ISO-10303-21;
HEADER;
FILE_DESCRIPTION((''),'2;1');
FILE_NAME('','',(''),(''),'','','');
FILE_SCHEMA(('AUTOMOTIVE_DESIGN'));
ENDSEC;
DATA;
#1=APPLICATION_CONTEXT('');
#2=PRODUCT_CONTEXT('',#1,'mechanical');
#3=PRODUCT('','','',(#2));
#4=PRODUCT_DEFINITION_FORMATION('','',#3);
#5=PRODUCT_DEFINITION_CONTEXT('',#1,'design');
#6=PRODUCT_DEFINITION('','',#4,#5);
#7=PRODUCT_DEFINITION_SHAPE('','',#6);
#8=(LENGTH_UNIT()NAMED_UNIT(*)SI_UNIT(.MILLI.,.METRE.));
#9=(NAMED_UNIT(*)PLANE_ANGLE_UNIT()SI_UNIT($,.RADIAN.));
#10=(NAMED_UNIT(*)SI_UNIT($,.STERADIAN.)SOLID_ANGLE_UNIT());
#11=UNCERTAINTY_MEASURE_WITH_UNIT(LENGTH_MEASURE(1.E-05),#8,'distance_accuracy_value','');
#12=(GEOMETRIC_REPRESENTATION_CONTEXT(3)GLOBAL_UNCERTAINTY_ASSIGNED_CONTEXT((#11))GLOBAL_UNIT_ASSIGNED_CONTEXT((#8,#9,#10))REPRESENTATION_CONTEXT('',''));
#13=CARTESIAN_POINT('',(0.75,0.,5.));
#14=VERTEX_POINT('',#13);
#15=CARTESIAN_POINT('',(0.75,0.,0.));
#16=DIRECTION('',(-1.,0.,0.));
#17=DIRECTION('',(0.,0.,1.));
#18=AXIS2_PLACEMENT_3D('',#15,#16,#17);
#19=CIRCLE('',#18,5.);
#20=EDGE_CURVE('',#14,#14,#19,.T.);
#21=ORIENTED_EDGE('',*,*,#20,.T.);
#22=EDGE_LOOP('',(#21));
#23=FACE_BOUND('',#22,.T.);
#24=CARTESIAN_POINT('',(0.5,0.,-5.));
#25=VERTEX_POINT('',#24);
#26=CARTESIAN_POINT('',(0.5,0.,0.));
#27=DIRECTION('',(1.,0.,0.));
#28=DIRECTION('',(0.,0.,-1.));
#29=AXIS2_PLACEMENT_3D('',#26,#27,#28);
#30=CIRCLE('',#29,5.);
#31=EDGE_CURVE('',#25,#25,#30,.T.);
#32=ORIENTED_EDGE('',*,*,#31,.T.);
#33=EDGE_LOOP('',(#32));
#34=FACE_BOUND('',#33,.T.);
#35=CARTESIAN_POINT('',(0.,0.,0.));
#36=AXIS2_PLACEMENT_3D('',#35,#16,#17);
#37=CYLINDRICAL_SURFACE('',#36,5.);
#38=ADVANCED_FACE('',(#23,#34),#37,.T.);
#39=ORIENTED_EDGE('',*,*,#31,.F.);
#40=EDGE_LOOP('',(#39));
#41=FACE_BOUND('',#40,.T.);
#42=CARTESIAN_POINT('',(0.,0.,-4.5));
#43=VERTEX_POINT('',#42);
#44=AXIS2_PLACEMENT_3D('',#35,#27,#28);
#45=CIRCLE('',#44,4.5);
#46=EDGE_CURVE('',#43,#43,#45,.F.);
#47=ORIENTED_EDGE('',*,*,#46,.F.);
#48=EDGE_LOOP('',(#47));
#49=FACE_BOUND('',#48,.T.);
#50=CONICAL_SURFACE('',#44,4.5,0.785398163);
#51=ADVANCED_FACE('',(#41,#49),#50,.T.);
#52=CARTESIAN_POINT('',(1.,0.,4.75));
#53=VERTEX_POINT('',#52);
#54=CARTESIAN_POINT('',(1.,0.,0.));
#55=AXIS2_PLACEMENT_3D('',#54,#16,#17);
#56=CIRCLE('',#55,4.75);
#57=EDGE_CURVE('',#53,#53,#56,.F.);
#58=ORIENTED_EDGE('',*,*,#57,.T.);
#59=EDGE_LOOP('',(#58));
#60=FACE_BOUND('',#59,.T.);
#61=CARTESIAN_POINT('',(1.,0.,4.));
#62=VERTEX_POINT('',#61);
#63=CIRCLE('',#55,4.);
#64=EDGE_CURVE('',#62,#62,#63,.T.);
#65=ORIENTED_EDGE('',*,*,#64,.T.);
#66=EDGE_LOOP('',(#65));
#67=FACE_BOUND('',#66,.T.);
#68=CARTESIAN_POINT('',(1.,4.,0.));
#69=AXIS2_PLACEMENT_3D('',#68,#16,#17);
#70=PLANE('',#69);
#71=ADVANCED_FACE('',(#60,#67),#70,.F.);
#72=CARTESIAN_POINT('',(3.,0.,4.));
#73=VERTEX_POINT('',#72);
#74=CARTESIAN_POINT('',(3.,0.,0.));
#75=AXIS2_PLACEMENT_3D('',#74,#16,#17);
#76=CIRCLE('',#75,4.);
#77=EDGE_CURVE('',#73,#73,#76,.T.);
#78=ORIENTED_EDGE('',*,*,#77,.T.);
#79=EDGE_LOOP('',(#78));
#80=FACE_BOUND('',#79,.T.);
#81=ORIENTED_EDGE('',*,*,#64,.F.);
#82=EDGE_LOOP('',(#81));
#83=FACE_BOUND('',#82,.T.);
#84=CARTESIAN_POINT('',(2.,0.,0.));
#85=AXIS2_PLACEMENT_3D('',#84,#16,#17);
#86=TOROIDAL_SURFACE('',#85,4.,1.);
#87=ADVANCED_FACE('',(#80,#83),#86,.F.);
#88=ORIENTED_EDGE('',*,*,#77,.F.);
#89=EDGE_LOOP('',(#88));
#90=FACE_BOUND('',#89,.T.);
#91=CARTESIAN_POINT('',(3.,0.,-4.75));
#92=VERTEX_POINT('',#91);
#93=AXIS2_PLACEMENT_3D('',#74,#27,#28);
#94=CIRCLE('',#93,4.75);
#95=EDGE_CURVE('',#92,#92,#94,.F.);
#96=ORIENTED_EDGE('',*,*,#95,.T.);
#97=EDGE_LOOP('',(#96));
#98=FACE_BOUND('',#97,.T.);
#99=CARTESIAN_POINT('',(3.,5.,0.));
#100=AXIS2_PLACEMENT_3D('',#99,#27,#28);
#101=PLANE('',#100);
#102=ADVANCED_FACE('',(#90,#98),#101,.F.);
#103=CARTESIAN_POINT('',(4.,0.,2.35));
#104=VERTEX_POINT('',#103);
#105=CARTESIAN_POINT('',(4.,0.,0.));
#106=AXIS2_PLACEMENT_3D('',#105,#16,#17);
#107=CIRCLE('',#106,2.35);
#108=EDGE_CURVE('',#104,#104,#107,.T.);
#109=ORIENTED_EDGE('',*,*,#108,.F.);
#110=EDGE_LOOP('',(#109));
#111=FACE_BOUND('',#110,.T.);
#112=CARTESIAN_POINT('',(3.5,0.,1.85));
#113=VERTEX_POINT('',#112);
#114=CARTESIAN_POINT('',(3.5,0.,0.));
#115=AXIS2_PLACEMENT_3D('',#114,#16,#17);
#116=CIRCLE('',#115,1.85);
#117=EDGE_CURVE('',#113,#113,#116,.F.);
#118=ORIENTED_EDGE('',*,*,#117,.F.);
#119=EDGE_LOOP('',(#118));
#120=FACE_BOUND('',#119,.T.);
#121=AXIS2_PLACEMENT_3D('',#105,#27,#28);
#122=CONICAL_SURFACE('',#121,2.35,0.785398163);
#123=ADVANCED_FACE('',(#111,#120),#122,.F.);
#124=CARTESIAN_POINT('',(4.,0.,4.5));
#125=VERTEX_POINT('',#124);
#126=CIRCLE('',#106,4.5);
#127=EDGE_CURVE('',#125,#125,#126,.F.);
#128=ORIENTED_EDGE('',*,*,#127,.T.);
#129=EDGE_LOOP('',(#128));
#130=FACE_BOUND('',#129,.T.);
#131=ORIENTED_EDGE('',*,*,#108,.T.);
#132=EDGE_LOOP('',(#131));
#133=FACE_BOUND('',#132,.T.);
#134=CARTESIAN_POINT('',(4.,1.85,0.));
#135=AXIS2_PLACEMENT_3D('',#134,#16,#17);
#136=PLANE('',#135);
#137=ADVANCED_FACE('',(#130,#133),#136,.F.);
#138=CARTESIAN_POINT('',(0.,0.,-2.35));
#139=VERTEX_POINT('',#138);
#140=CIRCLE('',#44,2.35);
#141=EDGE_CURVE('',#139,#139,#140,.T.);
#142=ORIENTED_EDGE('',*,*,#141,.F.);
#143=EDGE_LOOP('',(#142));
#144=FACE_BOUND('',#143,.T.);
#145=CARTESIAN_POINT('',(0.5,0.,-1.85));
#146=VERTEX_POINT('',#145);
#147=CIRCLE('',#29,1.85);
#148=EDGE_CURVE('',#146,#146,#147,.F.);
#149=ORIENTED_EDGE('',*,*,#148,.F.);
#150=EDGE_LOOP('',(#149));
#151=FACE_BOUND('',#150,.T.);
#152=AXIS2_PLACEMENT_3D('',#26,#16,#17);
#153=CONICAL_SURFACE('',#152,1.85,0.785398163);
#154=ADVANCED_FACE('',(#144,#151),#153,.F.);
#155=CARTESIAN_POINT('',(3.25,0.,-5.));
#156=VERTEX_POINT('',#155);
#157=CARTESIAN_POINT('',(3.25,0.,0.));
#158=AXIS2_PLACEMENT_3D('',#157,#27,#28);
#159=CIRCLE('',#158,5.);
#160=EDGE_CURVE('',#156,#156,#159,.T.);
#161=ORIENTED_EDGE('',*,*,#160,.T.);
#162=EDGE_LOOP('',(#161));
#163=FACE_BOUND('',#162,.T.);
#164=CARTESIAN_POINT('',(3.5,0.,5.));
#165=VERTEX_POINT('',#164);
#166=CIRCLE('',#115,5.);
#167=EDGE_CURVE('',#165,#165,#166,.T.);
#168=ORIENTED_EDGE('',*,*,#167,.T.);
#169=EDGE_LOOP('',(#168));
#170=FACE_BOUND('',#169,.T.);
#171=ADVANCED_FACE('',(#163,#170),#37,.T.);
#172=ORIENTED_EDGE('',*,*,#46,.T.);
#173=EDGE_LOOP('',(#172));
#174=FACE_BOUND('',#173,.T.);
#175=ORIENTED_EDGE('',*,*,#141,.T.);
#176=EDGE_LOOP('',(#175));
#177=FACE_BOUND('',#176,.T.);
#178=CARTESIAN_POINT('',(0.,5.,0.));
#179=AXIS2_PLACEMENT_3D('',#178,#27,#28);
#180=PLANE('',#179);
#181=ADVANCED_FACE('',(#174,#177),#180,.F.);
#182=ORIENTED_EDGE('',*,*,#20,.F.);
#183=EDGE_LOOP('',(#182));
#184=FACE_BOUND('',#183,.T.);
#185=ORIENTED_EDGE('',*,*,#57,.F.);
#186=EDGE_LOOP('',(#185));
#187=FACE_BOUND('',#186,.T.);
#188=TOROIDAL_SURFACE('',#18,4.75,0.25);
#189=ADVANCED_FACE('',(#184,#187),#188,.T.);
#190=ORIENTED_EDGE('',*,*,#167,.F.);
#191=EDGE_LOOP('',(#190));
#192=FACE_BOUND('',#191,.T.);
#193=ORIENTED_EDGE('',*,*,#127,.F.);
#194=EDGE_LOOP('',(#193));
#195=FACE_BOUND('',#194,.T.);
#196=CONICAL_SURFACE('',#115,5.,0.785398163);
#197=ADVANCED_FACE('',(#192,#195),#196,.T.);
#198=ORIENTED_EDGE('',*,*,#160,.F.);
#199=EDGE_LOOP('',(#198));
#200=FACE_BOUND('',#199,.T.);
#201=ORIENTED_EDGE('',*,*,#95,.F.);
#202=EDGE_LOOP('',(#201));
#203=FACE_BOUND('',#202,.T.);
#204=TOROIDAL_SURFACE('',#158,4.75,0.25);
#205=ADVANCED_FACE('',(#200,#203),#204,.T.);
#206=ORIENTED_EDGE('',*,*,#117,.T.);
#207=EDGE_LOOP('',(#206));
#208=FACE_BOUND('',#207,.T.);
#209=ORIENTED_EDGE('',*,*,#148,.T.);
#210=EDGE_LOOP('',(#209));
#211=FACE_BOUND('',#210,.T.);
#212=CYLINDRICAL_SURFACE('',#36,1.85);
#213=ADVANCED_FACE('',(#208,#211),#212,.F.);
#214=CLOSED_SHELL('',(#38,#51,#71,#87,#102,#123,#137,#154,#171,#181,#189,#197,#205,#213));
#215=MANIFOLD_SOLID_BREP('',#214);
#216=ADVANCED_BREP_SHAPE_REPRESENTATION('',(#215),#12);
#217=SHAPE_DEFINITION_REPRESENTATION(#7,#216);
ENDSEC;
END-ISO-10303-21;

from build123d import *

# Parameters (mm, degrees)
FILLET1_R     = 0.25
CHAMFER1_SIZE = 0.5


with BuildPart() as part:
    # Sketch1 → Revolve1 (revolve)
    with BuildSketch(Plane.XY, mode=Mode.PRIVATE) as revolve1_sk:
        with BuildLine():
            Line((0, 5), (0, 1.85))
            Line((0, 1.85), (4, 1.85))
            Line((4, 1.85), (4, 5))
            Line((4, 5), (3, 5))
            Line((3, 5), (3, 4))
            ThreePointArc((3, 4), (2, 3), (1, 4))
            Line((1, 4), (1, 5))
            Line((1, 5), (0, 5))
        make_face()
    revolve(revolve1_sk.sketch.rotate(Axis((0, 0, 0), (1, 0, 0)), 90), axis=Axis((0, 0, 0), (1, 0, 0)))

    # Fillet1
    fillet1_edges = [part.edges().sort_by_distance(p)[0] for p in [
        (1, 0, -5),
        (3, 0, -5),
    ]]
    fillet(fillet1_edges, radius=FILLET1_R)

    # Chamfer1
    chamfer1_edges = [part.edges().sort_by_distance(p)[0] for p in [
        (0, 0, -5),
        (4, 0, -5),
        (4, 0, -1.85),
        (0, 0, -1.85),
    ]]
    chamfer(chamfer1_edges, length=CHAMFER1_SIZE)


solid = part.part
